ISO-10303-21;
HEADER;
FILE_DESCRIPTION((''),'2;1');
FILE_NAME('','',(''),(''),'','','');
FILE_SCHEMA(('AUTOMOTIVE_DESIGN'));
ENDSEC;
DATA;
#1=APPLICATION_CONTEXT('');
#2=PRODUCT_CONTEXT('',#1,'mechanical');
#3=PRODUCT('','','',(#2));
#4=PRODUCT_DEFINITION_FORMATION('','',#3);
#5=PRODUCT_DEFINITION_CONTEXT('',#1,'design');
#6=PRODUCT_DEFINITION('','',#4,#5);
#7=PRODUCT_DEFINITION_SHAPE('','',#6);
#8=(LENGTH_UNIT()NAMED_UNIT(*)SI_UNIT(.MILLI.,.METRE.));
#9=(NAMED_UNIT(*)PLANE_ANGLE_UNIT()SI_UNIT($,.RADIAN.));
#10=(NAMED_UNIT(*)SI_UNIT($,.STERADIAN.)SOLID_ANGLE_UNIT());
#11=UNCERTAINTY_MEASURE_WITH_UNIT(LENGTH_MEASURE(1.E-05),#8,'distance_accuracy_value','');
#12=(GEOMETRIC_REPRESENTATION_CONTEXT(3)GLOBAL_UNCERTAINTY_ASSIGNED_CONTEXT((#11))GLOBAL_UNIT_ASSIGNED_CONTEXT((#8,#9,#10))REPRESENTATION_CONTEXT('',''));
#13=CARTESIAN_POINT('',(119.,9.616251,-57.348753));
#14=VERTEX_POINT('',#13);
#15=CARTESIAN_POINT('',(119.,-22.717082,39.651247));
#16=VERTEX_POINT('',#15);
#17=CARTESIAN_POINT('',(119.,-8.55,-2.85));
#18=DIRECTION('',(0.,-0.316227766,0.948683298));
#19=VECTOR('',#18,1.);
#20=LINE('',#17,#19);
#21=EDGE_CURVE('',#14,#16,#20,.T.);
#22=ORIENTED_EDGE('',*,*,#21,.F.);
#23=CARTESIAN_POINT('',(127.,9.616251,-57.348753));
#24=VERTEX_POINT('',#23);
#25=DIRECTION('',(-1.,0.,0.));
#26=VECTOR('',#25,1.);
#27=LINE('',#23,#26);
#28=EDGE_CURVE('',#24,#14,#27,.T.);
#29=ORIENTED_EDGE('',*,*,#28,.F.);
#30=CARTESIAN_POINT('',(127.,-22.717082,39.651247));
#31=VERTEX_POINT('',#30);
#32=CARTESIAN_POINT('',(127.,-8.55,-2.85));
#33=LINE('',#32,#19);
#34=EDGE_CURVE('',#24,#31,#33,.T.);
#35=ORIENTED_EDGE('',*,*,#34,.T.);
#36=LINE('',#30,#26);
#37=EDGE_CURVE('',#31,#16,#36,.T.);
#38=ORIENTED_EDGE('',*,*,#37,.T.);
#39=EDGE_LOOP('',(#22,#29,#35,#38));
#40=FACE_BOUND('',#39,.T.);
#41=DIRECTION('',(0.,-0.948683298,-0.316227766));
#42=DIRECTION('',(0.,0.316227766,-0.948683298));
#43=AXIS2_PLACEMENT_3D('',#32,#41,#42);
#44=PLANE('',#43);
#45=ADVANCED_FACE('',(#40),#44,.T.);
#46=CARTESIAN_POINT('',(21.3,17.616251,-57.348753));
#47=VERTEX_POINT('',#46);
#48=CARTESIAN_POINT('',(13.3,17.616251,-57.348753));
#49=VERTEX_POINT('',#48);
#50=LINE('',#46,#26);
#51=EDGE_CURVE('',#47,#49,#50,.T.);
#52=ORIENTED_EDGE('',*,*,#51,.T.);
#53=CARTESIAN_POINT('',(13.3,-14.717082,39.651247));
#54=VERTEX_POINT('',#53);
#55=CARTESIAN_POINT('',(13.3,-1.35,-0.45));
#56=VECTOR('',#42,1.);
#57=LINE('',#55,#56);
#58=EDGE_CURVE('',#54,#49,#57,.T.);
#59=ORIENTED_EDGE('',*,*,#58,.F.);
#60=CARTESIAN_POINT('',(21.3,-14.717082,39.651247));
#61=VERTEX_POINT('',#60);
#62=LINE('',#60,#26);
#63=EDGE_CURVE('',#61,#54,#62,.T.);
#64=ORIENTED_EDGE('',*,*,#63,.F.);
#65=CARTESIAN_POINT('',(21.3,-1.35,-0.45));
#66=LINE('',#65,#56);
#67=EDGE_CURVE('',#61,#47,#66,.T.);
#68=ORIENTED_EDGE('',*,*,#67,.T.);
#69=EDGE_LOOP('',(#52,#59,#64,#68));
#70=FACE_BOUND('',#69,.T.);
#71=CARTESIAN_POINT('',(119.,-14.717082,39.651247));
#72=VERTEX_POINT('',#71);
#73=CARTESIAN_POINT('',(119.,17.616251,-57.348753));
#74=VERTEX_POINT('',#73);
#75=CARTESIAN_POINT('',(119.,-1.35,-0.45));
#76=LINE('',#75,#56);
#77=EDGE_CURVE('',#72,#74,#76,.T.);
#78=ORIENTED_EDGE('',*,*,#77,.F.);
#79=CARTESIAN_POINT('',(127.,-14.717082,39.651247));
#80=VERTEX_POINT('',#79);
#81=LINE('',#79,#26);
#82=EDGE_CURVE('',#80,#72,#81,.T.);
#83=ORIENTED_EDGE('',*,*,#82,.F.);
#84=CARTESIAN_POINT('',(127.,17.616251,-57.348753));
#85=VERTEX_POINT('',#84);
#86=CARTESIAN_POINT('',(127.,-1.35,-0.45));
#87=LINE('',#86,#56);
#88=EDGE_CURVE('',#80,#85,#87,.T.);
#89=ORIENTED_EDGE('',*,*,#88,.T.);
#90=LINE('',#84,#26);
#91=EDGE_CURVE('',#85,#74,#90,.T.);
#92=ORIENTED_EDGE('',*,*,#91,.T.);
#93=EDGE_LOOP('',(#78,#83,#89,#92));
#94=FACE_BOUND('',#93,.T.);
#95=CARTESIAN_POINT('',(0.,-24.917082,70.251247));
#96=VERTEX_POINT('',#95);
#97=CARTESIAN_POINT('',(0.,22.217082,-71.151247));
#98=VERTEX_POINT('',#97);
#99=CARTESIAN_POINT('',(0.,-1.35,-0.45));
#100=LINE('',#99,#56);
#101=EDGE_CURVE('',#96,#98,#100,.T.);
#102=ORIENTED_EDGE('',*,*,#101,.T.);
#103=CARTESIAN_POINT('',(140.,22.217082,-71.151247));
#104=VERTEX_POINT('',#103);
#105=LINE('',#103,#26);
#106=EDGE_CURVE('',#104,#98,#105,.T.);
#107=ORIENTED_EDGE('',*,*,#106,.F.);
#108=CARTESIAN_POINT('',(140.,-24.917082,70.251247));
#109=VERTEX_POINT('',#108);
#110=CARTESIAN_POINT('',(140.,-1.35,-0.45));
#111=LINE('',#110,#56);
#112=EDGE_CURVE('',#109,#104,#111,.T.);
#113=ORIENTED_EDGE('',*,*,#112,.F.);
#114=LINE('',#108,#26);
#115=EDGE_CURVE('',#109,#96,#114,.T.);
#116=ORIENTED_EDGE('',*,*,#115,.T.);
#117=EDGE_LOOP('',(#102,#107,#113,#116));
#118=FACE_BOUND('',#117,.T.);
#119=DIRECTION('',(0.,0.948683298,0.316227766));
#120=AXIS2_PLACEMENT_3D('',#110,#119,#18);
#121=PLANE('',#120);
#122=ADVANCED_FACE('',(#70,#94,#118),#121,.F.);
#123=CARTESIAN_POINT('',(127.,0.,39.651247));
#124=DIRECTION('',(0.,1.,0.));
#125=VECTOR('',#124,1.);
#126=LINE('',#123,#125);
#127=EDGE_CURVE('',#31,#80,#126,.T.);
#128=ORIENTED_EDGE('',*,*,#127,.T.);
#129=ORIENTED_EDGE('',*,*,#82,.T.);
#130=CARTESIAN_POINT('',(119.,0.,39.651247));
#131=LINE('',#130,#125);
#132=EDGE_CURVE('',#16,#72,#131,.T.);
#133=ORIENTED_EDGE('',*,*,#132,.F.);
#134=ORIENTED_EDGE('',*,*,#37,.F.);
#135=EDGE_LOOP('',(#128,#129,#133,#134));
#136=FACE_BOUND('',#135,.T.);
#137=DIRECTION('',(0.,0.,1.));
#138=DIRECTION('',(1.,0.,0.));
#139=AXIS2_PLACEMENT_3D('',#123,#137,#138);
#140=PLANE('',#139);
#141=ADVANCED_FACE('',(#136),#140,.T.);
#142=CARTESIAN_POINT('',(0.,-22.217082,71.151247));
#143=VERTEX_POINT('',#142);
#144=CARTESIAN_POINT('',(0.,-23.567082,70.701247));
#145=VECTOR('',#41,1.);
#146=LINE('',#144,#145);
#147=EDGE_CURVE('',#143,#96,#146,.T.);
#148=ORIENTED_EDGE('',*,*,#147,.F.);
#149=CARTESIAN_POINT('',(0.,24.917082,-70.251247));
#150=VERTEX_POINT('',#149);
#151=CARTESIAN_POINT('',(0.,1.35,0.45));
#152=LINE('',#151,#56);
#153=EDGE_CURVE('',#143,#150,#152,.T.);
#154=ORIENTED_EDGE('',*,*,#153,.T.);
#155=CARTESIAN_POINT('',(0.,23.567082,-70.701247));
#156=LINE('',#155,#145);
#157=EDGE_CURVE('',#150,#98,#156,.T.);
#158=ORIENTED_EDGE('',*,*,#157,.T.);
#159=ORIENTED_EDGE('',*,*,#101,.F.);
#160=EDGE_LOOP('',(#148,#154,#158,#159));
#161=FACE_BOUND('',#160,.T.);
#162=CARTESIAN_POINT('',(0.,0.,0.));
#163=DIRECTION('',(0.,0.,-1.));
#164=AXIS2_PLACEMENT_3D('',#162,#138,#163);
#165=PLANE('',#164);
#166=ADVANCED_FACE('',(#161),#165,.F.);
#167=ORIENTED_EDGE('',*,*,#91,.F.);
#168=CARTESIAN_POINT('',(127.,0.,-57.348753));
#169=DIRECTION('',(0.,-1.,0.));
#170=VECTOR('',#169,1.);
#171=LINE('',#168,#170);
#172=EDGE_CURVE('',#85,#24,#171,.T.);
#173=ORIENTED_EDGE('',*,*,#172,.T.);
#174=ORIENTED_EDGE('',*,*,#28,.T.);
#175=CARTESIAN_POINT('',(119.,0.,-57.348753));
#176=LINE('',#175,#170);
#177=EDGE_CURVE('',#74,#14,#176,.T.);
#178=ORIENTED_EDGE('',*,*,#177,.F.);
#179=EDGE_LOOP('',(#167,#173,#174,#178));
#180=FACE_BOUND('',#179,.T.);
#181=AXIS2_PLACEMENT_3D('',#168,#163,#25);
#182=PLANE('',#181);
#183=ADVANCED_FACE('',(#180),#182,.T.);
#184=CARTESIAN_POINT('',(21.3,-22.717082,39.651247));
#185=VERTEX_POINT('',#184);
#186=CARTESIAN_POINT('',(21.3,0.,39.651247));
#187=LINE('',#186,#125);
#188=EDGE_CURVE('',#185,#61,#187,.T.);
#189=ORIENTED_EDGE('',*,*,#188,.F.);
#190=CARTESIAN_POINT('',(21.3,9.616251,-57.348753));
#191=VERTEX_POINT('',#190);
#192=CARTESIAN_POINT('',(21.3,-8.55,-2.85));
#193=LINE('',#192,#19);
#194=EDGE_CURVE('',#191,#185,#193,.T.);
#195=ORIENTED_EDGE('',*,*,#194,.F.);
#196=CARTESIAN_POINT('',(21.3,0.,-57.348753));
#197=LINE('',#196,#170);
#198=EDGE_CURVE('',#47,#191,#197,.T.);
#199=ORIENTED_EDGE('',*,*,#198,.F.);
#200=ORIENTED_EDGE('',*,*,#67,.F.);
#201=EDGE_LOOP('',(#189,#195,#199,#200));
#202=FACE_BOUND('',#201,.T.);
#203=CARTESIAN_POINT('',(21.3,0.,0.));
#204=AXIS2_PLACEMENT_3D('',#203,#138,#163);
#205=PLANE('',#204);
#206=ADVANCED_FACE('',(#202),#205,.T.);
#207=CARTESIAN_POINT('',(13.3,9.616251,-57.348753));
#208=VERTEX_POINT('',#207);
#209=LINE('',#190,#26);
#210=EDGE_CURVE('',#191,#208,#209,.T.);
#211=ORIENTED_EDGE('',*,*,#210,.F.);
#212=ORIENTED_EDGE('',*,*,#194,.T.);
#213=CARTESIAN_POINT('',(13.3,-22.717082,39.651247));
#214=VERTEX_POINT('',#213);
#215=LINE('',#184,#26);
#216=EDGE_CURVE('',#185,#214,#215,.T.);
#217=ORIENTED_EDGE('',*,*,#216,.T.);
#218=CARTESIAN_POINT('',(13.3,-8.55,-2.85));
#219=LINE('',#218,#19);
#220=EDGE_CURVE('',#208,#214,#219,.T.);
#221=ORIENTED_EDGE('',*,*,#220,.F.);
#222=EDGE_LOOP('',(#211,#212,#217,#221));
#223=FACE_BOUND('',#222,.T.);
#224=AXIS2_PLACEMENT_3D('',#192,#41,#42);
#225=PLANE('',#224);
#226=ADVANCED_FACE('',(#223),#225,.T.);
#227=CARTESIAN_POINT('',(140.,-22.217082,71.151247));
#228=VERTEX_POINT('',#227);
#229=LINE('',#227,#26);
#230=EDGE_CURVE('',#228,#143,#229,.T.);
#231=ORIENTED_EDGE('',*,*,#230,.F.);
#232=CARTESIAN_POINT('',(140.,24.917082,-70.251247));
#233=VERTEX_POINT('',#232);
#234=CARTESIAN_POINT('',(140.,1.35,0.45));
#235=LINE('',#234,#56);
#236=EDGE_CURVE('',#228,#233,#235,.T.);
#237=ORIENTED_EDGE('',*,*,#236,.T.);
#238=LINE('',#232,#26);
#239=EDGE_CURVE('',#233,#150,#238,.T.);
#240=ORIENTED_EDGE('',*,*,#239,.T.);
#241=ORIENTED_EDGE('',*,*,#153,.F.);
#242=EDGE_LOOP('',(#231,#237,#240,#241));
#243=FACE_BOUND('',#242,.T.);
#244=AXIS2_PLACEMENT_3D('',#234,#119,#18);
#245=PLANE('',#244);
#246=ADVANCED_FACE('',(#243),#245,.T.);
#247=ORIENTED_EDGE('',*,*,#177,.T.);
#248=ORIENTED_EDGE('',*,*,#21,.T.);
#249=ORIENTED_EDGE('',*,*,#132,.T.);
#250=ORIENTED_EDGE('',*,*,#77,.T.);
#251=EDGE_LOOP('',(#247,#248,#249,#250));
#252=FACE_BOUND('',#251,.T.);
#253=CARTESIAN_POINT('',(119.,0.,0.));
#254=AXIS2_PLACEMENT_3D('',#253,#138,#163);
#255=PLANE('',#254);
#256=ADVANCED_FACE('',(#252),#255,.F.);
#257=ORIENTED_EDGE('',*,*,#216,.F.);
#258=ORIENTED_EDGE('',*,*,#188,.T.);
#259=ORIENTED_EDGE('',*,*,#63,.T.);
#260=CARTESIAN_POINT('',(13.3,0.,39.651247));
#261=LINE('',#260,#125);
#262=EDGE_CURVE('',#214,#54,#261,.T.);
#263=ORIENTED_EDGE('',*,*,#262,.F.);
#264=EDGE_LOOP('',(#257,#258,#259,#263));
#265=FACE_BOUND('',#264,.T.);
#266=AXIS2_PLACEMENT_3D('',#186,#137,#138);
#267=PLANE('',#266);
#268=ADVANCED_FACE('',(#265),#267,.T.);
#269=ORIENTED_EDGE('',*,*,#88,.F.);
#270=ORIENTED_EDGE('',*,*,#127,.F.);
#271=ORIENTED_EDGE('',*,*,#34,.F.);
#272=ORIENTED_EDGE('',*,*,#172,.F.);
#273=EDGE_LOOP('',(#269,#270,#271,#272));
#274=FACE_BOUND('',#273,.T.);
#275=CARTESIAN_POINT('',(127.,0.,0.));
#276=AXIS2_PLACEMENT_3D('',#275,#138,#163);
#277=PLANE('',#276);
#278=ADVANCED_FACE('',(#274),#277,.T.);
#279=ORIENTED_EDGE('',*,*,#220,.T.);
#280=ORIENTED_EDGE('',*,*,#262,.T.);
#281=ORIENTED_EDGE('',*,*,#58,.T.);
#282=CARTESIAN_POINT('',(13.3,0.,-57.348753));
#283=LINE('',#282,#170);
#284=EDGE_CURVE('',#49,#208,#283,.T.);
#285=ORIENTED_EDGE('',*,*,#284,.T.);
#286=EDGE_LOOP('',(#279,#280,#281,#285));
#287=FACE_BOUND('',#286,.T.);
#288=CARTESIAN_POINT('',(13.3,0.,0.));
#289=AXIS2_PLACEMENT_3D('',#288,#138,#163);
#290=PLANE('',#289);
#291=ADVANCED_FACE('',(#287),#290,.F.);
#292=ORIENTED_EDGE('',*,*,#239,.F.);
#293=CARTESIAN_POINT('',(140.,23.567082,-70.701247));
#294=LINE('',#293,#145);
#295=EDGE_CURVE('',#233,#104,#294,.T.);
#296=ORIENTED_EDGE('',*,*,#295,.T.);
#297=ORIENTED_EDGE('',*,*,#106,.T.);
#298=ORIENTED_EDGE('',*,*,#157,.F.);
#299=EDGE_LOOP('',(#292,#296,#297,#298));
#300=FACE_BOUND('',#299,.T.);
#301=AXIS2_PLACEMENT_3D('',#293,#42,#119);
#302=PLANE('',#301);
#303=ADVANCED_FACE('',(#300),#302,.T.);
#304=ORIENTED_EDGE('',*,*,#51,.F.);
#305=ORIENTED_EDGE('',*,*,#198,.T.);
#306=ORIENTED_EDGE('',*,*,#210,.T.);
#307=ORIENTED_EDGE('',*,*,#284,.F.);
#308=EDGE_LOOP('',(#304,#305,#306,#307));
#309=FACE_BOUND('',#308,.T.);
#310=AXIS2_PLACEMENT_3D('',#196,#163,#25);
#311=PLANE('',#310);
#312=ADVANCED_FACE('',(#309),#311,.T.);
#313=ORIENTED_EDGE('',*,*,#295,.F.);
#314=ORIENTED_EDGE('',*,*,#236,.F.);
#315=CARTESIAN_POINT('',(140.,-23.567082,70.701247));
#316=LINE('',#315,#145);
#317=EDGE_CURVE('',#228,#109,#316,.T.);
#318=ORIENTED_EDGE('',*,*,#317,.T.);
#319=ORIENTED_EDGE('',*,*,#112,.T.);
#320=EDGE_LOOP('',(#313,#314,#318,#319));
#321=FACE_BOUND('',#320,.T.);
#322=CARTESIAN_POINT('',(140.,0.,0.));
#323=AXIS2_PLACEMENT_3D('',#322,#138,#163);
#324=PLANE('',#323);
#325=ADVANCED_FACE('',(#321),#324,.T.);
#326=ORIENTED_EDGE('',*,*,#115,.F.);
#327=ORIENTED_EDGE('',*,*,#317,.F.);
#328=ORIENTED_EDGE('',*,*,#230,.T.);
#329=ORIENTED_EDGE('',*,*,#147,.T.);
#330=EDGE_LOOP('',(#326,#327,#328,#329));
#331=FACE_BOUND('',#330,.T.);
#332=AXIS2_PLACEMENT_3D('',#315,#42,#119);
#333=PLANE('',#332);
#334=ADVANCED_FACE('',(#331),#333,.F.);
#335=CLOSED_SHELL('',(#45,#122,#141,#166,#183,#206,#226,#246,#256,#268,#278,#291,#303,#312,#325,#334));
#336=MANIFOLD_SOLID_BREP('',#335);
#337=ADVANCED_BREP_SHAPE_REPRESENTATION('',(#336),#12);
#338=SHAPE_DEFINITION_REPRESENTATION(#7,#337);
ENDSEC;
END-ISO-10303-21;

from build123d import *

# Parameters (mm, degrees)
SALIENTE_EXTRUIR1_DEPTH = 140
SALIENTE_EXTRUIR2_START = 13.3
SALIENTE_EXTRUIR2_DEPTH = 8
SALIENTE_EXTRUIR3_START = 119
SALIENTE_EXTRUIR3_DEPTH = 8


with BuildPart() as part:
    # Croquis1 → Saliente-Extruir1 (new body)
    with BuildSketch(Plane(origin=(0, 0, 0), x_dir=(0, 0, -1), z_dir=(1, 0, 0))):
        Polygon((-71.151247354, -22.217082451), (-70.251247354, -24.917082451), (-39.651247354, -14.717082451), (57.348752646, 17.616250882), (71.151247354, 22.217082451), (70.251247354, 24.917082451), align=None)
    extrude(amount=SALIENTE_EXTRUIR1_DEPTH)

    # Croquis1<3> → Saliente-Extruir2 (add)
    with BuildSketch(Plane(origin=(0, 0, 0), x_dir=(0, 0, -1), z_dir=(1, 0, 0)).offset(SALIENTE_EXTRUIR2_START)):
        Polygon((57.348752646, 17.616250882), (-39.651247354, -14.717082451), (-39.651247354, -22.717082451), (57.348752646, 9.616250882), align=None)
    extrude(amount=SALIENTE_EXTRUIR2_DEPTH)

    # Croquis1<4> → Saliente-Extruir3 (add)
    with BuildSketch(Plane(origin=(0, 0, 0), x_dir=(0, 0, -1), z_dir=(1, 0, 0)).offset(SALIENTE_EXTRUIR3_START)):
        Polygon((57.348752646, 17.616250882), (-39.651247354, -14.717082451), (-39.651247354, -22.717082451), (57.348752646, 9.616250882), align=None)
    extrude(amount=SALIENTE_EXTRUIR3_DEPTH)


solid = part.part
